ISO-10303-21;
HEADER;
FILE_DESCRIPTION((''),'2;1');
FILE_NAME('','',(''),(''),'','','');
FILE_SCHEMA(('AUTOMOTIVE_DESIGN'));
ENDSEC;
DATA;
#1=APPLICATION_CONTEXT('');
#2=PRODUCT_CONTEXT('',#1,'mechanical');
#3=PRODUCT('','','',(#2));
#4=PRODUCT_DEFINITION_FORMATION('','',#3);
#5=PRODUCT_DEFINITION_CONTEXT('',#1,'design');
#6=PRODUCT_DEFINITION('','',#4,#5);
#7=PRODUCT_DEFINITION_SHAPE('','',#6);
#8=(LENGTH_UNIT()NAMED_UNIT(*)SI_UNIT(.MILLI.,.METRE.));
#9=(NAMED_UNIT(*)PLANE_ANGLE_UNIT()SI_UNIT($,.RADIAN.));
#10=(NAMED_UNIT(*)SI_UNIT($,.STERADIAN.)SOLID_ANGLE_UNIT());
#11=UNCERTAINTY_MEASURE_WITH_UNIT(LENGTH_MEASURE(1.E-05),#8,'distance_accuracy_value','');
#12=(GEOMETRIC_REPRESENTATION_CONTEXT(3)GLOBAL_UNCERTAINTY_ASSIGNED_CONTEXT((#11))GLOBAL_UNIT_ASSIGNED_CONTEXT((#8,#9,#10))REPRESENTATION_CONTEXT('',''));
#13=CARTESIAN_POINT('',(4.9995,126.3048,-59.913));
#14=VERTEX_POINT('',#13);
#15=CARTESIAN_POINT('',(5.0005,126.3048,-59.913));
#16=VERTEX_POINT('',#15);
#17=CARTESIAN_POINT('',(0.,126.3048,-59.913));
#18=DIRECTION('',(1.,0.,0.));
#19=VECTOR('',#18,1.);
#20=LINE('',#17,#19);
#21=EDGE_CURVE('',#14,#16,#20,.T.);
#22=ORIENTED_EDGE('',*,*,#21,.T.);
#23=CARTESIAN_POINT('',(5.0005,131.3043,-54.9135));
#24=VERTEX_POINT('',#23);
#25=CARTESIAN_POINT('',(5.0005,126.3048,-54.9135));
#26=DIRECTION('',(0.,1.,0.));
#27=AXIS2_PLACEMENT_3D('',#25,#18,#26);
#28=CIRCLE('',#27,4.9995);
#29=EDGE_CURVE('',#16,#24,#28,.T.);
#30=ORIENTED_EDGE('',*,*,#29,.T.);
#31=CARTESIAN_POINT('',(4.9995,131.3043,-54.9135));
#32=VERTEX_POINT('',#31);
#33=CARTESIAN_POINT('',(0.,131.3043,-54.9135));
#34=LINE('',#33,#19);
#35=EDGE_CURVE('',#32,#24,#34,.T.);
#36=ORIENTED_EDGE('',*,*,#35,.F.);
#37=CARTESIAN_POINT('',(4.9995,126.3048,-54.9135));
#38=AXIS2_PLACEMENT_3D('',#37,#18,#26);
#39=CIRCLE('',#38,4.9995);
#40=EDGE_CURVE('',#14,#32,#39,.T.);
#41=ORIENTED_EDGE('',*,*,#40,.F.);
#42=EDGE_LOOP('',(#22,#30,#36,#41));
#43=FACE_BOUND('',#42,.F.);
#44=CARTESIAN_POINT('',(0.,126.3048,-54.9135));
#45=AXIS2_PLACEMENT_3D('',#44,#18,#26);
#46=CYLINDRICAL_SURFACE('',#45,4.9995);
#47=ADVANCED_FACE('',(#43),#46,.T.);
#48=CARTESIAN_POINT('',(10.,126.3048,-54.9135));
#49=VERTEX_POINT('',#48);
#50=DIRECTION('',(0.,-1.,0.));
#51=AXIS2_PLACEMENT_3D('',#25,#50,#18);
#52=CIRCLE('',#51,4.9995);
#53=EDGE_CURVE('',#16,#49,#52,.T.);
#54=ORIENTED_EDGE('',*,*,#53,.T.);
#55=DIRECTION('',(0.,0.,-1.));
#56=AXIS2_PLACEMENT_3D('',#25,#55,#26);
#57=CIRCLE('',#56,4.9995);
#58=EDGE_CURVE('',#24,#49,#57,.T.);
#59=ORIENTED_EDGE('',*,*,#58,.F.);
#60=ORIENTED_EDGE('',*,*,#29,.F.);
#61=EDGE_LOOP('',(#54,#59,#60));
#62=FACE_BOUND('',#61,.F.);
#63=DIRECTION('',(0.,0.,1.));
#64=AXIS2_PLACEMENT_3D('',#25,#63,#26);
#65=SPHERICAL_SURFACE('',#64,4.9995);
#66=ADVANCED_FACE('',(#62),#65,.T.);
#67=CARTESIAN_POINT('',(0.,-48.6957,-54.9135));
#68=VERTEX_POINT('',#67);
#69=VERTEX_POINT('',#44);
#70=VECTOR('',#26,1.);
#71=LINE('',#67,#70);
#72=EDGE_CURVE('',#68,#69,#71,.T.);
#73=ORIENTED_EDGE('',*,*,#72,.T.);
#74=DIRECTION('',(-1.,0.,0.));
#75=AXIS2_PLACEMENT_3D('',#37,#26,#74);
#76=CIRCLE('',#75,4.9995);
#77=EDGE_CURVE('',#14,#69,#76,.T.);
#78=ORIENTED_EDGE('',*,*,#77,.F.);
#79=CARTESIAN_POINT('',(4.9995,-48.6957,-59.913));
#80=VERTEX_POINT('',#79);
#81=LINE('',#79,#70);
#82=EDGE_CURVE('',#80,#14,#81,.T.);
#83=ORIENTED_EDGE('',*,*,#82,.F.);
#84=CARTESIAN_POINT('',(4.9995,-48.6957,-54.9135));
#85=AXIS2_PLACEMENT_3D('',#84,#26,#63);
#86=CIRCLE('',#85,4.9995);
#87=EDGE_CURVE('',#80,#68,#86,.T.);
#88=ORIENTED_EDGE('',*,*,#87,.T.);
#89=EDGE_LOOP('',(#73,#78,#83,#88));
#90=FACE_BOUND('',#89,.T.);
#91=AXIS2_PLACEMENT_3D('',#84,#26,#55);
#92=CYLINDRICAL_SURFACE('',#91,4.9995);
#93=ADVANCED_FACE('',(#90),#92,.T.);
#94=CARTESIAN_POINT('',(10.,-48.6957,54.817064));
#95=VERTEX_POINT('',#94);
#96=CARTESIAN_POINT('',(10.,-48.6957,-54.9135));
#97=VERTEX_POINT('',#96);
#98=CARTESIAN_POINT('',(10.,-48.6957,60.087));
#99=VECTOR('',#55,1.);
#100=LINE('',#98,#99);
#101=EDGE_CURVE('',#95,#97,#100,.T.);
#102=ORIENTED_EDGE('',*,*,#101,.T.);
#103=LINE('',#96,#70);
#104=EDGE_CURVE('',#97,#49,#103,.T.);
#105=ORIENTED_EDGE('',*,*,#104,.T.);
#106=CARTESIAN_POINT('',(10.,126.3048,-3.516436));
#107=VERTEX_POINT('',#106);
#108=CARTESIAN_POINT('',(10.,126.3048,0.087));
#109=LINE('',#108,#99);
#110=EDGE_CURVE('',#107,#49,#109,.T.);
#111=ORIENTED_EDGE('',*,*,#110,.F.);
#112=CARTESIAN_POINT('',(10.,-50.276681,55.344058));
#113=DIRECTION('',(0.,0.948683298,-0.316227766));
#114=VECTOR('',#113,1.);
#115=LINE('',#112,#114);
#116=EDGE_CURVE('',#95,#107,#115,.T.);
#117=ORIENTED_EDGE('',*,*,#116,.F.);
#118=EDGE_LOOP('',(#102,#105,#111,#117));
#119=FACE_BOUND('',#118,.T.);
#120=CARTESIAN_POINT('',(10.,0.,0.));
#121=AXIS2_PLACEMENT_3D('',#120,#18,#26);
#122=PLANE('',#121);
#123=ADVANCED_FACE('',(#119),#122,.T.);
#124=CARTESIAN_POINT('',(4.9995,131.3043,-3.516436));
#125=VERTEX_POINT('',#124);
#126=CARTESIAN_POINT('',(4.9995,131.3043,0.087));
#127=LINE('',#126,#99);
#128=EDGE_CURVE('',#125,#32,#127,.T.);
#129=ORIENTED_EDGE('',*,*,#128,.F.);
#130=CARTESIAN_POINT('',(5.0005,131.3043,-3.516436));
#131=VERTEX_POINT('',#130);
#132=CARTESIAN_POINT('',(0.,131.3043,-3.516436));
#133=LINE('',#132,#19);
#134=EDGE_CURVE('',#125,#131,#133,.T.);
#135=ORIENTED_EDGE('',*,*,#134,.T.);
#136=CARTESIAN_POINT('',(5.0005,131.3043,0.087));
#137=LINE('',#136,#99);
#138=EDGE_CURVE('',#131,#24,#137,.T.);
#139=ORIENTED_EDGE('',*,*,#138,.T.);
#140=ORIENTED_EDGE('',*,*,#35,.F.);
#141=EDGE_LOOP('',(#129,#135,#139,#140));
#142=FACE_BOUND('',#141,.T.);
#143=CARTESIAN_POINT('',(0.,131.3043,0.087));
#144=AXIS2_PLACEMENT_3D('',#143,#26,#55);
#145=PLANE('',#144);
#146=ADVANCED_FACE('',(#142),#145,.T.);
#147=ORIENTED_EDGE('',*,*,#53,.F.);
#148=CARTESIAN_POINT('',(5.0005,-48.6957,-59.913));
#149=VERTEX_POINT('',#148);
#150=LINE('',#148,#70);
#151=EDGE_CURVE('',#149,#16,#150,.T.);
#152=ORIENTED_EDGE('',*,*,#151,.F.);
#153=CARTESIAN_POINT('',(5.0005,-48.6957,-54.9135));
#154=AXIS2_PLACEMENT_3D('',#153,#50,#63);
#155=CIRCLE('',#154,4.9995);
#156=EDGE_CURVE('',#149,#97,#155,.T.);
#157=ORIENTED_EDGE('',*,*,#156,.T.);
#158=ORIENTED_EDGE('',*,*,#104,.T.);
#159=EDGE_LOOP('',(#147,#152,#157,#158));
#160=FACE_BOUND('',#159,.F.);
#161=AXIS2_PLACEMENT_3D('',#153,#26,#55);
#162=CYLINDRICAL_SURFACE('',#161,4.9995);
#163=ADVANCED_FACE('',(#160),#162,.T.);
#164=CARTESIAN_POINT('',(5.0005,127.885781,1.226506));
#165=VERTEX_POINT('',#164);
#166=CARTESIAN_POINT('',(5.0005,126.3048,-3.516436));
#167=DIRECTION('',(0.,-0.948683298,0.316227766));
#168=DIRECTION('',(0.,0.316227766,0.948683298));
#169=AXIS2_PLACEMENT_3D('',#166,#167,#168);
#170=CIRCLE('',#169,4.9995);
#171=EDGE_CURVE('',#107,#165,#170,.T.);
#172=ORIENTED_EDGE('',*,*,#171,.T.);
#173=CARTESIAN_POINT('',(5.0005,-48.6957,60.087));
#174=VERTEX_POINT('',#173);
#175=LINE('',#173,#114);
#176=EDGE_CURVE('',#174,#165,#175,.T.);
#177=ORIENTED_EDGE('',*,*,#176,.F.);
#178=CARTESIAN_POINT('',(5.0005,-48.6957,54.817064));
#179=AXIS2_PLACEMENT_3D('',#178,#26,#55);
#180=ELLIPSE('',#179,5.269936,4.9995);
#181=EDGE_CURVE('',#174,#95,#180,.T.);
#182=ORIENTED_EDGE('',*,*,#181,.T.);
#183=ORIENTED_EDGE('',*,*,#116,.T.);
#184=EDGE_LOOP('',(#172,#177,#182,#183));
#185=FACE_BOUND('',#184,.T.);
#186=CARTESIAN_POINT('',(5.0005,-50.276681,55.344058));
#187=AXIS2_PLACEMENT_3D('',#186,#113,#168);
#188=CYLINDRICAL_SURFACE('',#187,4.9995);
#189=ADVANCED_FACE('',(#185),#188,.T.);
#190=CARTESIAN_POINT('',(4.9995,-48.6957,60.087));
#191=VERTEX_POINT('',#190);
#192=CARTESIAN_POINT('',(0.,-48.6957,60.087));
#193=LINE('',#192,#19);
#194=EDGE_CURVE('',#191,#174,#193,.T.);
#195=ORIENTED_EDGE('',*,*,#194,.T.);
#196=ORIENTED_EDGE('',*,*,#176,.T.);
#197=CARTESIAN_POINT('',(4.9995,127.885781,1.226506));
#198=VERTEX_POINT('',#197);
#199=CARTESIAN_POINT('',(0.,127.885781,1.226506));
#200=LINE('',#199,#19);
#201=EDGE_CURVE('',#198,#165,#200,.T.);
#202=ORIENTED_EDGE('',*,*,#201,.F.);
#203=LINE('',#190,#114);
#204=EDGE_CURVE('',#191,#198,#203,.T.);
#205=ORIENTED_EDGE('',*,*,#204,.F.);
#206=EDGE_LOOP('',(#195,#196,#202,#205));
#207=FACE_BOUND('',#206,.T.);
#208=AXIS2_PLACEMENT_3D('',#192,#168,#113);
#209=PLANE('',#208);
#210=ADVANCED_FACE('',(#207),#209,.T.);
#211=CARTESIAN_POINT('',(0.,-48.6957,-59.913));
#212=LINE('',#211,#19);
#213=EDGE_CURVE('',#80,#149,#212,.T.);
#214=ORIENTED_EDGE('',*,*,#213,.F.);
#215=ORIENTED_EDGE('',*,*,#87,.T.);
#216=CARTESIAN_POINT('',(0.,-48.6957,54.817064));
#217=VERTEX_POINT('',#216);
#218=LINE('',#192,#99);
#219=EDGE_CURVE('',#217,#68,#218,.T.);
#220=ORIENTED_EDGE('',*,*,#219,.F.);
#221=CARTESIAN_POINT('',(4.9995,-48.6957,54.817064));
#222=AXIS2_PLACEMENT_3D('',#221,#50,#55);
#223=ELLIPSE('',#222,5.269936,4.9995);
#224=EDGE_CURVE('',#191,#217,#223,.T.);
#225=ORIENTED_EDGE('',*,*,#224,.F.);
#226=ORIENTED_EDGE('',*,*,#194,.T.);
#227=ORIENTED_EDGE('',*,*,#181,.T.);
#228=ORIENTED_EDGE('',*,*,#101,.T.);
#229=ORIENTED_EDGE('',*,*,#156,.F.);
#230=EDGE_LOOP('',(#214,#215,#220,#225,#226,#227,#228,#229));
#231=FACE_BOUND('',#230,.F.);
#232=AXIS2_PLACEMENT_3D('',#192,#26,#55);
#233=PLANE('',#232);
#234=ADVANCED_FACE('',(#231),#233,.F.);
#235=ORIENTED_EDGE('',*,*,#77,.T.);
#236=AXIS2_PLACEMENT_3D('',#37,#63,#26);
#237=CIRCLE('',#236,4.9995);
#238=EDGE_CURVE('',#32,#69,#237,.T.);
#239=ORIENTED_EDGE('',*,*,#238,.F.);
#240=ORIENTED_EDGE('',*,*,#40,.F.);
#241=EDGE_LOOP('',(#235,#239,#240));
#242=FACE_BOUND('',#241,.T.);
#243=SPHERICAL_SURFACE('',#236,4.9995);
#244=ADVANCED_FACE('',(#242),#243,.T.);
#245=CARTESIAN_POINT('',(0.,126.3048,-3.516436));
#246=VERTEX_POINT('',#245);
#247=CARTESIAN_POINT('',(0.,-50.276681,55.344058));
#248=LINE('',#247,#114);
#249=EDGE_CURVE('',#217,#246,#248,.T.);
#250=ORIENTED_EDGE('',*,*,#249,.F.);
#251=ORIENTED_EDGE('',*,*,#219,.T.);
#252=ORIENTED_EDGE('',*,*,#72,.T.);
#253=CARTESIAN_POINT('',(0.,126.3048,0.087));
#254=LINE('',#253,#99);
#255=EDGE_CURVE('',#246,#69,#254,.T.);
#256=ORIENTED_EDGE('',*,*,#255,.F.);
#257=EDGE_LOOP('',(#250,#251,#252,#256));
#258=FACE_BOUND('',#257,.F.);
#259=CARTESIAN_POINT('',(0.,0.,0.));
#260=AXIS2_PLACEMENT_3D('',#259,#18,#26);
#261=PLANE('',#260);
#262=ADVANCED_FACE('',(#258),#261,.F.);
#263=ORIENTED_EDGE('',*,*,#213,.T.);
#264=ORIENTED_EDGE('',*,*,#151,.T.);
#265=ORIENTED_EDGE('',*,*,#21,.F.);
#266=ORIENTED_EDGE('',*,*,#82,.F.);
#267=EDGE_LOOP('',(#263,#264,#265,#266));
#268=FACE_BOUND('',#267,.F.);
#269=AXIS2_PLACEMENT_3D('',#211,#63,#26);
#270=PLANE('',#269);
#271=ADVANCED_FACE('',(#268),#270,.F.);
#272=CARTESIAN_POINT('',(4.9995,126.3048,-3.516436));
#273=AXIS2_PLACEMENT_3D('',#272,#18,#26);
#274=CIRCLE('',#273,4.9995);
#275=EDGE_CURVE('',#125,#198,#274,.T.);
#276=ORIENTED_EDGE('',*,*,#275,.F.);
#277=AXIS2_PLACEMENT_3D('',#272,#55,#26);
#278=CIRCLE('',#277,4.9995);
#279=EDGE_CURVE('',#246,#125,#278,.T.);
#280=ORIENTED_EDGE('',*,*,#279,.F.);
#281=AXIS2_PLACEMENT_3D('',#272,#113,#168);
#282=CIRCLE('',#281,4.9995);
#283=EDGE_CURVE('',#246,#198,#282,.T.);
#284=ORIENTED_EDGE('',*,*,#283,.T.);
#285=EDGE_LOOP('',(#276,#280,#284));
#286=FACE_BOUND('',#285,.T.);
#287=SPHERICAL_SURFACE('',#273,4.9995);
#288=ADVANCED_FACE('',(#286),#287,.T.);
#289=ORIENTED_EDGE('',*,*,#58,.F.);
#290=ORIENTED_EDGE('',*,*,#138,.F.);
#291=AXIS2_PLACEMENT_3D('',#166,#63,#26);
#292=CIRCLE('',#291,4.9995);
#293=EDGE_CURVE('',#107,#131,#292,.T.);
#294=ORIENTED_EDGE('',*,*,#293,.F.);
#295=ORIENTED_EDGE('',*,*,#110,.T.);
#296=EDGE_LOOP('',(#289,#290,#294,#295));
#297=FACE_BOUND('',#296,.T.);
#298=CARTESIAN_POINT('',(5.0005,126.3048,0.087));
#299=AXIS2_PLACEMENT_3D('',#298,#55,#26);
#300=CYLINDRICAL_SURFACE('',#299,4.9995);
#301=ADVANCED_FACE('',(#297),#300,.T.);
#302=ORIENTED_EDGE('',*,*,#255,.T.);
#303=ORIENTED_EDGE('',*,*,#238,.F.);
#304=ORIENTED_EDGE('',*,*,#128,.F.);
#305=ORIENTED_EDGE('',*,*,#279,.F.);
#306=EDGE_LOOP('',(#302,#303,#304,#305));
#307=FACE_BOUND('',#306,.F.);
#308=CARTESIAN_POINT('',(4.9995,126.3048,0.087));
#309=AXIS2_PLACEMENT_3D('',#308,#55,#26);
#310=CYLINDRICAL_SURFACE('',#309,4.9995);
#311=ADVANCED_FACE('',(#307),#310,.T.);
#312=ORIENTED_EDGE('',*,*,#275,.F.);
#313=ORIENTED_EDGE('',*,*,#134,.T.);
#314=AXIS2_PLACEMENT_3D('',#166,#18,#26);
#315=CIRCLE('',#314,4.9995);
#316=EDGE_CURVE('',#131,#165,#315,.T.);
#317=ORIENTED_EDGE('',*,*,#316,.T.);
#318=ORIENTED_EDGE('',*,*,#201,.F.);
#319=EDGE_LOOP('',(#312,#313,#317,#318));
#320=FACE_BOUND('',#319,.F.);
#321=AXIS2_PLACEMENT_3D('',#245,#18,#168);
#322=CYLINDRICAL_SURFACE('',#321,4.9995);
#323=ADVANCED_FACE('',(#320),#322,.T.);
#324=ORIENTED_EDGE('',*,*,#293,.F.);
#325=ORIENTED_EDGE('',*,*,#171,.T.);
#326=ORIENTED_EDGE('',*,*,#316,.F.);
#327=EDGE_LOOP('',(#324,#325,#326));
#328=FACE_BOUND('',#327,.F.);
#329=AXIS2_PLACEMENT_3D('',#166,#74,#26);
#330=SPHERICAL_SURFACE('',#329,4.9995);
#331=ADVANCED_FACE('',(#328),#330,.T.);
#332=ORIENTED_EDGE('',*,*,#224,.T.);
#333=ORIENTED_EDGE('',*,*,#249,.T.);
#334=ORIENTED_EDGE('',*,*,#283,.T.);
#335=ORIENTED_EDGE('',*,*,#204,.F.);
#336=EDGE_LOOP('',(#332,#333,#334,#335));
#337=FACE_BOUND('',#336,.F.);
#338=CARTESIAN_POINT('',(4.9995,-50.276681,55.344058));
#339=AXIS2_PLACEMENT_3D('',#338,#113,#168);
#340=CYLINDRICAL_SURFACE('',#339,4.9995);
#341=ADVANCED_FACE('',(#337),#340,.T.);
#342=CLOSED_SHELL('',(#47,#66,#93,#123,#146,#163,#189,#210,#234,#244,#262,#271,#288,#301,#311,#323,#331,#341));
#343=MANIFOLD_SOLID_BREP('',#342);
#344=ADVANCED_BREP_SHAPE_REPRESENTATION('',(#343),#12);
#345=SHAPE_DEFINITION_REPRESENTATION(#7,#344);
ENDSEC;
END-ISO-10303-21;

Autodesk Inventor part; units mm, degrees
ref_plane "YZ Plane" through (0, 0, 0) normal (1, 0, 0) x (0, 1, 0)
ref_plane "XZ Plane" through (0, 0, 0) normal (0, 1, 0) x (-1, 0, 0)
ref_plane "XY Plane" through (0, 0, 0) normal (0, 0, 1) x (1, 0, 0)
sketch "Sketch1" plane through (0, 0, 0) normal (1, 0, 0) x (0, 1, 0)
  line L0 (-48.6957, 60.087) -> (-48.6957, -59.913)
  line L1 (-48.6957, -59.913) -> (131.3043, -59.913)
  line L2 (-48.6957, 60.087) -> (131.3043, 0.087)
  line L3 (131.3043, 0.087) -> (131.3043, -59.913)
  point P0 (0, 0)
  dimension "d0" = 120
  dimension "d1" = 60
  dimension "d2" = 180
extrude "Extrusion1" add sketch "Sketch1" along normal blind 10
fillet "Fillet1" radius 5 8 edges at (10, 41.3043, 30.087) (0, 41.3043, 30.087) (5, 131.3043, 0.087) (0, 131.3043, -29.913) (10, 131.3043, -29.913) (5, 131.3043, -59.913) (10, 41.3043, -59.913) (0, 41.3043, -59.913)
properties part number "vertical_tail_surface"
